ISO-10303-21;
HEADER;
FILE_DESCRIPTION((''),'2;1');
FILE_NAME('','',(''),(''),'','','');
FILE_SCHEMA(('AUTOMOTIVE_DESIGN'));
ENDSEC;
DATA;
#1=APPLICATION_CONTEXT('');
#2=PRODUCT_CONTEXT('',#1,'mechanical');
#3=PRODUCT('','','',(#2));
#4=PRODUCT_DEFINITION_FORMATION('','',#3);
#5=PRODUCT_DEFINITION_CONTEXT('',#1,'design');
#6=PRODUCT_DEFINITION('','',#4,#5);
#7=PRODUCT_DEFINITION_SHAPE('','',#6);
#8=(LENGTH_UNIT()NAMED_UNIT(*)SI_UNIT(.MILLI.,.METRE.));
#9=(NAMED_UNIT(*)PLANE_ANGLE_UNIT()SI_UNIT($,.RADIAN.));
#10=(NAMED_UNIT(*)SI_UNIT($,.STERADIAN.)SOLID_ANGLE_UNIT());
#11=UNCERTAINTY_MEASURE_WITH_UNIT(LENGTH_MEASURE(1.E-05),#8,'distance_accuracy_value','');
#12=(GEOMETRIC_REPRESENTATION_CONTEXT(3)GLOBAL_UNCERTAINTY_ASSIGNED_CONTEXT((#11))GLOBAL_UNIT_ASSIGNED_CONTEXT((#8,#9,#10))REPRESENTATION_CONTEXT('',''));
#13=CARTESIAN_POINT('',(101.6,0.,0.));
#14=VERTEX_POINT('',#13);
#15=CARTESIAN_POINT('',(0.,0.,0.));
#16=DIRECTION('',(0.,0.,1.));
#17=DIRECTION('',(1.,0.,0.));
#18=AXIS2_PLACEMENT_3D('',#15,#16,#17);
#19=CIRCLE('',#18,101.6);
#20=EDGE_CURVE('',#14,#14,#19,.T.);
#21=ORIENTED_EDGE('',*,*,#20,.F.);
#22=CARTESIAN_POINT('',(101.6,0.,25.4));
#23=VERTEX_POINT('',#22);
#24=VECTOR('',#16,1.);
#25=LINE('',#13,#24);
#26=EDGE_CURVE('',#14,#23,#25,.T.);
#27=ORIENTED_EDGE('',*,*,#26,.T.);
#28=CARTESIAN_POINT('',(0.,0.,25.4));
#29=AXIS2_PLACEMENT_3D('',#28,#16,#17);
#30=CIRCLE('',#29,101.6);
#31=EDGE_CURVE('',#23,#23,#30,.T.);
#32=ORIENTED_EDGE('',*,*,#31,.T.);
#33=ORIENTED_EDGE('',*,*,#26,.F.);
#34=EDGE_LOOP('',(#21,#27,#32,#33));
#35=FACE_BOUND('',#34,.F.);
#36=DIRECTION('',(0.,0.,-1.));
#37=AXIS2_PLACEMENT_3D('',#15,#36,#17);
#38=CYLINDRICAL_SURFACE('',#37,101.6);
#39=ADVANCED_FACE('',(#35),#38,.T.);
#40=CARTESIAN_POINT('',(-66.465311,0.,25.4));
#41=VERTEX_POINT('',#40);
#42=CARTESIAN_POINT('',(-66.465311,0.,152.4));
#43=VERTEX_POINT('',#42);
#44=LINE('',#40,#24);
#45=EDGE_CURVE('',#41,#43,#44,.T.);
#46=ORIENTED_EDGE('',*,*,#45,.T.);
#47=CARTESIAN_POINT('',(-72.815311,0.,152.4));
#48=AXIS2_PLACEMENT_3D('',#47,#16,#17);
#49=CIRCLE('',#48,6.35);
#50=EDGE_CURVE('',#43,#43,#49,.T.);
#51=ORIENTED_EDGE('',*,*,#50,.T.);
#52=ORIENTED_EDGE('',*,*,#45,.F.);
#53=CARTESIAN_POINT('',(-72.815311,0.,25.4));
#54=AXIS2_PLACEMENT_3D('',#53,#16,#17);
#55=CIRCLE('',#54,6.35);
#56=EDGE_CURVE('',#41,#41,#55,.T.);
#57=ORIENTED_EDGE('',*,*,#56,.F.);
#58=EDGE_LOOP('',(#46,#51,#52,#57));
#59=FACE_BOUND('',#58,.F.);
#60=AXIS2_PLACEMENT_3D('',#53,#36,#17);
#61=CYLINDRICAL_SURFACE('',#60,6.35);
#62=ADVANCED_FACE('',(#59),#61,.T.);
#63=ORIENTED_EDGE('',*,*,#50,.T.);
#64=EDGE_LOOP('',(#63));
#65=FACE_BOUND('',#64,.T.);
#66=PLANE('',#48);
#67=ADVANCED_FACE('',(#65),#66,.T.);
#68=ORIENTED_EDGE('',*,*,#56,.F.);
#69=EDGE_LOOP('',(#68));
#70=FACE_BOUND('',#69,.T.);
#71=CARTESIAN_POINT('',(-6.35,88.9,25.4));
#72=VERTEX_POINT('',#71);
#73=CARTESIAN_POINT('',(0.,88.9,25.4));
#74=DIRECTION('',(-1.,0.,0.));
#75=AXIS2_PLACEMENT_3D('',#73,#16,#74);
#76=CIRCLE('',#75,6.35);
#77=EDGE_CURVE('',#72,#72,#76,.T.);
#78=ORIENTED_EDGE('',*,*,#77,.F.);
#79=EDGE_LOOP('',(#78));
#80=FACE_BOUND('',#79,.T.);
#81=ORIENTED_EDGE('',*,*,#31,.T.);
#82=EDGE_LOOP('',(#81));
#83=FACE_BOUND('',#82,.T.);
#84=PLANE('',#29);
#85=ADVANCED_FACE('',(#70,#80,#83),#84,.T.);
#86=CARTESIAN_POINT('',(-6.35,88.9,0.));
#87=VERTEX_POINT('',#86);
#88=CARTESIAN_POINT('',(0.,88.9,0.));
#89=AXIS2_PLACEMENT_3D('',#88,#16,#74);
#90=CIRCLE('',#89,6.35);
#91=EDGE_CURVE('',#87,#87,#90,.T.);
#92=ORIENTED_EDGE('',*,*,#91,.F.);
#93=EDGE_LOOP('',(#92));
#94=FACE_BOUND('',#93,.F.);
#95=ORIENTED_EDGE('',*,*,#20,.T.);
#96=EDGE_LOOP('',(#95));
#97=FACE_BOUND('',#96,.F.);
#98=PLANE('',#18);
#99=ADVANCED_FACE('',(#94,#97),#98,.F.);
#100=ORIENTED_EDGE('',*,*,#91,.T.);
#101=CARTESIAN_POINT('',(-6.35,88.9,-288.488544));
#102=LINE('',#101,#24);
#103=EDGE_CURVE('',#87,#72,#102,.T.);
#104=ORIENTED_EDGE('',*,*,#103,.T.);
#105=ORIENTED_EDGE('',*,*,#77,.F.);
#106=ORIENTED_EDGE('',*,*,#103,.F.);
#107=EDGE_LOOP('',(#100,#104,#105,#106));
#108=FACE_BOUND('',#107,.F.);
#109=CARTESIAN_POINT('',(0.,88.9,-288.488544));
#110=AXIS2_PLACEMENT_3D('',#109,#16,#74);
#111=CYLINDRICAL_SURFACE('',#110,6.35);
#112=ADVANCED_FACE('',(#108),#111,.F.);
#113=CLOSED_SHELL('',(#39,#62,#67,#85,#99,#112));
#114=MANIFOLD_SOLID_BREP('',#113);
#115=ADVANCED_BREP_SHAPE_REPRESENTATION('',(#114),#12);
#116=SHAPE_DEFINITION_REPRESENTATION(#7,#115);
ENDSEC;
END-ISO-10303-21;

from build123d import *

# Parameters (mm, degrees)
F0_R     = 101.6
F1_DEPTH = 25.4
F3_D     = 12.7
F4_R     = 6.35
F5_DEPTH = 127


with BuildPart() as f1:
    # F0 (on Top) → F1 (new body)
    with BuildSketch(Plane.XY):
        Circle(F0_R)
    extrude(amount=F1_DEPTH)

    # F3 (through all)
    with Locations(Plane(origin=(0, 0, 0), x_dir=(1, 0, 0), z_dir=(0, 0, -1))):
        with Locations((0, -88.9)):
            Hole(F3_D / 2)

    # F4 (on face) → F5 (join)
    with BuildSketch(Plane.XY.offset(25.4)):
        with Locations((-72.815311, 0)):
            Circle(F4_R)
    extrude(amount=F5_DEPTH)


solid = f1.part
